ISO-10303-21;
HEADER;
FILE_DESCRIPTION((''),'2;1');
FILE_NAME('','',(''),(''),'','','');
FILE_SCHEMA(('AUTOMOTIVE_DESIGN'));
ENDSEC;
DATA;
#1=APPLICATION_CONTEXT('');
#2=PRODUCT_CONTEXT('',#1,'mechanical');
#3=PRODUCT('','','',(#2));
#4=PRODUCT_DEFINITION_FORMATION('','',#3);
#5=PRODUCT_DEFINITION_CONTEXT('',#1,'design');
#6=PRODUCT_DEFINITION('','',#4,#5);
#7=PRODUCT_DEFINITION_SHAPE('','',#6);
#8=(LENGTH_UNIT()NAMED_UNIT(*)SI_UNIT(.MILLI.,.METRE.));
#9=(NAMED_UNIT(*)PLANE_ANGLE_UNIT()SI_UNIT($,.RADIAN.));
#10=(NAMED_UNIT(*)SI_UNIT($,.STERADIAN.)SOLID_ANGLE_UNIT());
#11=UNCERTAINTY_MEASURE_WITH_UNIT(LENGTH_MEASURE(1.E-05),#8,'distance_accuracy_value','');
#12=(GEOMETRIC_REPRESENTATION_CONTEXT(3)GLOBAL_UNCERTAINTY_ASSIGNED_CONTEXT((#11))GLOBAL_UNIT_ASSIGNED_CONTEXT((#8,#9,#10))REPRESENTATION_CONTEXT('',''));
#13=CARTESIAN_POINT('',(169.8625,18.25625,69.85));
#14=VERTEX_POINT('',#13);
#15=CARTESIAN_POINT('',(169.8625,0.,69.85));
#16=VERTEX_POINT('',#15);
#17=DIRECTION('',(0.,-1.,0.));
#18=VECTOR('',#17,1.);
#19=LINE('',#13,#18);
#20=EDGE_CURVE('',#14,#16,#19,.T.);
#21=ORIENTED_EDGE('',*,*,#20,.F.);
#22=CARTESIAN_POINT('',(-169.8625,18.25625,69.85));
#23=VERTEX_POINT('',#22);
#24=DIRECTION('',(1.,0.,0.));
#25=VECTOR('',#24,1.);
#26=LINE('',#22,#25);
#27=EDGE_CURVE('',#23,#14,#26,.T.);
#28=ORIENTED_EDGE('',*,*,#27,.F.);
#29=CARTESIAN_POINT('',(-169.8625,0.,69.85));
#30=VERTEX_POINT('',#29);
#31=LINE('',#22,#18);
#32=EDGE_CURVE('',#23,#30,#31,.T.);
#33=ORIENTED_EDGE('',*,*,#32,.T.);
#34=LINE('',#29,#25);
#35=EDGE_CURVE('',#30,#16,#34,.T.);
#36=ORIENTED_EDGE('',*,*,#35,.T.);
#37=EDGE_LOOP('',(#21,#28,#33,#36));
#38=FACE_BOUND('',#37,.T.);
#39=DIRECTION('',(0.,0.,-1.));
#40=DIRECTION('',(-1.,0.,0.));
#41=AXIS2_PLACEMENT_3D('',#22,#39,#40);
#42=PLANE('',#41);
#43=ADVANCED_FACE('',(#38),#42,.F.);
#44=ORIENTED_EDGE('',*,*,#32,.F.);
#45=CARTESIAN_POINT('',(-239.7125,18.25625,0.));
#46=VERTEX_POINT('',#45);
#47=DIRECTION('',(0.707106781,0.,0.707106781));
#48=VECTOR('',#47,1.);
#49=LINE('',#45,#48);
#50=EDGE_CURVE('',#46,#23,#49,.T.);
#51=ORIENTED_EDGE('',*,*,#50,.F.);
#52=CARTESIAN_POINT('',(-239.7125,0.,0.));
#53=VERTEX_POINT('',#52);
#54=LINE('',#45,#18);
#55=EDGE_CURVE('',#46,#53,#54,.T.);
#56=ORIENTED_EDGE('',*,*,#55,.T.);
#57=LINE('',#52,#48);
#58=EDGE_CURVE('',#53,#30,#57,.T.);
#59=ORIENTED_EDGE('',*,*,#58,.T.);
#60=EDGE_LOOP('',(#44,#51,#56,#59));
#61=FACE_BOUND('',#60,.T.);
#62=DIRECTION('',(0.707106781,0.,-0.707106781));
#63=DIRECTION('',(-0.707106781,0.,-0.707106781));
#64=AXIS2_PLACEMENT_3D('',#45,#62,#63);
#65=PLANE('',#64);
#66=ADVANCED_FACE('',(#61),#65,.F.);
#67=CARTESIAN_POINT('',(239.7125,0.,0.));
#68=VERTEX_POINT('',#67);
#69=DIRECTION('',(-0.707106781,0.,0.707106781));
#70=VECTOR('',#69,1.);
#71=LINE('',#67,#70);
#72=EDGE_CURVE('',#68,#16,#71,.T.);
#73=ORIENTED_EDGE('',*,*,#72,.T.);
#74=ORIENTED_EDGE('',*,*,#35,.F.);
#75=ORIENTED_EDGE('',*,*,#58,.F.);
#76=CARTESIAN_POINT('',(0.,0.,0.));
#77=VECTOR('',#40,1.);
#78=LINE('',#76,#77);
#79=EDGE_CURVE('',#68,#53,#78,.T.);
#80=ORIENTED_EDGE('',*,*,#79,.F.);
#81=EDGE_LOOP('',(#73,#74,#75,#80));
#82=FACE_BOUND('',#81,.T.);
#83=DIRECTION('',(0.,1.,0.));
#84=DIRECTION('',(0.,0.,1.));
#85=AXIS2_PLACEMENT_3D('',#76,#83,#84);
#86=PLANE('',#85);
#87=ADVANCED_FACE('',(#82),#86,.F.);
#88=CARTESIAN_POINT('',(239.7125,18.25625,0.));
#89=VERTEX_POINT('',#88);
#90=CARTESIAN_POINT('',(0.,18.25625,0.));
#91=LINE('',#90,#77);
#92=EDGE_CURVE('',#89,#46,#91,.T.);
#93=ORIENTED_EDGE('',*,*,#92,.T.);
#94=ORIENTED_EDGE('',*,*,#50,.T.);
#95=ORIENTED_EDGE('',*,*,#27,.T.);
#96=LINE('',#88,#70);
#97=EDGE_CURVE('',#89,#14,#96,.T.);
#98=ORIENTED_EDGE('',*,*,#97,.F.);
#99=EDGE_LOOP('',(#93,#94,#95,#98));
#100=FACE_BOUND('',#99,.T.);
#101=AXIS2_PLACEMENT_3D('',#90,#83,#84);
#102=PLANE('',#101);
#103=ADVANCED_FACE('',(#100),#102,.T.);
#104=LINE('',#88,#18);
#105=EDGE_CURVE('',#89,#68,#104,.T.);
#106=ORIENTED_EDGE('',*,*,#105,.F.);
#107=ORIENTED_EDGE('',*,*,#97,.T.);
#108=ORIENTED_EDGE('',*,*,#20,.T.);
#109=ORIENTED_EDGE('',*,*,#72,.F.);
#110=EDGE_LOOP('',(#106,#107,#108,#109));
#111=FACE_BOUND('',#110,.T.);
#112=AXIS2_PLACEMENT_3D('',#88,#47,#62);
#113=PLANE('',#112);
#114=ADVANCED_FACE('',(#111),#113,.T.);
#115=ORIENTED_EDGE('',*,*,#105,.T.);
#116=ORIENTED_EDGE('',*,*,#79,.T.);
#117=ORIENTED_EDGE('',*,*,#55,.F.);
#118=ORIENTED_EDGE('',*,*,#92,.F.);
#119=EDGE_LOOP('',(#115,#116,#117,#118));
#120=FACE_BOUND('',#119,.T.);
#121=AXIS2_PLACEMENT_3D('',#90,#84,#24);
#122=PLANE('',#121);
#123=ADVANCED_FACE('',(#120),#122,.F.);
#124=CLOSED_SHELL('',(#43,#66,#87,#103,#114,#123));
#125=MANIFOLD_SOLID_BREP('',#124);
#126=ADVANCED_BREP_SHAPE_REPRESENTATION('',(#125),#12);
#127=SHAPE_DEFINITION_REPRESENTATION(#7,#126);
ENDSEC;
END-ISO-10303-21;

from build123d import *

# Parameters (mm, degrees)
BOSS_EXTRUDE1_DEPTH = 18.25625


with BuildPart() as part:
    # Sketch1 → Boss-Extrude1 (new body)
    with BuildSketch(Plane(origin=(0, 0, 0), x_dir=(1, 0, 0), z_dir=(0, 1, 0))):
        Polygon((0, 0), (-239.7125, 0), (-169.8625, -69.85), (0, -69.85), align=None)
    boss_extrude1 = extrude(amount=BOSS_EXTRUDE1_DEPTH)

    # Mirror1: Boss-Extrude1 across plane
    add(boss_extrude1.mirror(Plane(origin=(0, 0, 0), x_dir=(0, 0, 1), z_dir=(1, 0, 0))))


solid = part.part
